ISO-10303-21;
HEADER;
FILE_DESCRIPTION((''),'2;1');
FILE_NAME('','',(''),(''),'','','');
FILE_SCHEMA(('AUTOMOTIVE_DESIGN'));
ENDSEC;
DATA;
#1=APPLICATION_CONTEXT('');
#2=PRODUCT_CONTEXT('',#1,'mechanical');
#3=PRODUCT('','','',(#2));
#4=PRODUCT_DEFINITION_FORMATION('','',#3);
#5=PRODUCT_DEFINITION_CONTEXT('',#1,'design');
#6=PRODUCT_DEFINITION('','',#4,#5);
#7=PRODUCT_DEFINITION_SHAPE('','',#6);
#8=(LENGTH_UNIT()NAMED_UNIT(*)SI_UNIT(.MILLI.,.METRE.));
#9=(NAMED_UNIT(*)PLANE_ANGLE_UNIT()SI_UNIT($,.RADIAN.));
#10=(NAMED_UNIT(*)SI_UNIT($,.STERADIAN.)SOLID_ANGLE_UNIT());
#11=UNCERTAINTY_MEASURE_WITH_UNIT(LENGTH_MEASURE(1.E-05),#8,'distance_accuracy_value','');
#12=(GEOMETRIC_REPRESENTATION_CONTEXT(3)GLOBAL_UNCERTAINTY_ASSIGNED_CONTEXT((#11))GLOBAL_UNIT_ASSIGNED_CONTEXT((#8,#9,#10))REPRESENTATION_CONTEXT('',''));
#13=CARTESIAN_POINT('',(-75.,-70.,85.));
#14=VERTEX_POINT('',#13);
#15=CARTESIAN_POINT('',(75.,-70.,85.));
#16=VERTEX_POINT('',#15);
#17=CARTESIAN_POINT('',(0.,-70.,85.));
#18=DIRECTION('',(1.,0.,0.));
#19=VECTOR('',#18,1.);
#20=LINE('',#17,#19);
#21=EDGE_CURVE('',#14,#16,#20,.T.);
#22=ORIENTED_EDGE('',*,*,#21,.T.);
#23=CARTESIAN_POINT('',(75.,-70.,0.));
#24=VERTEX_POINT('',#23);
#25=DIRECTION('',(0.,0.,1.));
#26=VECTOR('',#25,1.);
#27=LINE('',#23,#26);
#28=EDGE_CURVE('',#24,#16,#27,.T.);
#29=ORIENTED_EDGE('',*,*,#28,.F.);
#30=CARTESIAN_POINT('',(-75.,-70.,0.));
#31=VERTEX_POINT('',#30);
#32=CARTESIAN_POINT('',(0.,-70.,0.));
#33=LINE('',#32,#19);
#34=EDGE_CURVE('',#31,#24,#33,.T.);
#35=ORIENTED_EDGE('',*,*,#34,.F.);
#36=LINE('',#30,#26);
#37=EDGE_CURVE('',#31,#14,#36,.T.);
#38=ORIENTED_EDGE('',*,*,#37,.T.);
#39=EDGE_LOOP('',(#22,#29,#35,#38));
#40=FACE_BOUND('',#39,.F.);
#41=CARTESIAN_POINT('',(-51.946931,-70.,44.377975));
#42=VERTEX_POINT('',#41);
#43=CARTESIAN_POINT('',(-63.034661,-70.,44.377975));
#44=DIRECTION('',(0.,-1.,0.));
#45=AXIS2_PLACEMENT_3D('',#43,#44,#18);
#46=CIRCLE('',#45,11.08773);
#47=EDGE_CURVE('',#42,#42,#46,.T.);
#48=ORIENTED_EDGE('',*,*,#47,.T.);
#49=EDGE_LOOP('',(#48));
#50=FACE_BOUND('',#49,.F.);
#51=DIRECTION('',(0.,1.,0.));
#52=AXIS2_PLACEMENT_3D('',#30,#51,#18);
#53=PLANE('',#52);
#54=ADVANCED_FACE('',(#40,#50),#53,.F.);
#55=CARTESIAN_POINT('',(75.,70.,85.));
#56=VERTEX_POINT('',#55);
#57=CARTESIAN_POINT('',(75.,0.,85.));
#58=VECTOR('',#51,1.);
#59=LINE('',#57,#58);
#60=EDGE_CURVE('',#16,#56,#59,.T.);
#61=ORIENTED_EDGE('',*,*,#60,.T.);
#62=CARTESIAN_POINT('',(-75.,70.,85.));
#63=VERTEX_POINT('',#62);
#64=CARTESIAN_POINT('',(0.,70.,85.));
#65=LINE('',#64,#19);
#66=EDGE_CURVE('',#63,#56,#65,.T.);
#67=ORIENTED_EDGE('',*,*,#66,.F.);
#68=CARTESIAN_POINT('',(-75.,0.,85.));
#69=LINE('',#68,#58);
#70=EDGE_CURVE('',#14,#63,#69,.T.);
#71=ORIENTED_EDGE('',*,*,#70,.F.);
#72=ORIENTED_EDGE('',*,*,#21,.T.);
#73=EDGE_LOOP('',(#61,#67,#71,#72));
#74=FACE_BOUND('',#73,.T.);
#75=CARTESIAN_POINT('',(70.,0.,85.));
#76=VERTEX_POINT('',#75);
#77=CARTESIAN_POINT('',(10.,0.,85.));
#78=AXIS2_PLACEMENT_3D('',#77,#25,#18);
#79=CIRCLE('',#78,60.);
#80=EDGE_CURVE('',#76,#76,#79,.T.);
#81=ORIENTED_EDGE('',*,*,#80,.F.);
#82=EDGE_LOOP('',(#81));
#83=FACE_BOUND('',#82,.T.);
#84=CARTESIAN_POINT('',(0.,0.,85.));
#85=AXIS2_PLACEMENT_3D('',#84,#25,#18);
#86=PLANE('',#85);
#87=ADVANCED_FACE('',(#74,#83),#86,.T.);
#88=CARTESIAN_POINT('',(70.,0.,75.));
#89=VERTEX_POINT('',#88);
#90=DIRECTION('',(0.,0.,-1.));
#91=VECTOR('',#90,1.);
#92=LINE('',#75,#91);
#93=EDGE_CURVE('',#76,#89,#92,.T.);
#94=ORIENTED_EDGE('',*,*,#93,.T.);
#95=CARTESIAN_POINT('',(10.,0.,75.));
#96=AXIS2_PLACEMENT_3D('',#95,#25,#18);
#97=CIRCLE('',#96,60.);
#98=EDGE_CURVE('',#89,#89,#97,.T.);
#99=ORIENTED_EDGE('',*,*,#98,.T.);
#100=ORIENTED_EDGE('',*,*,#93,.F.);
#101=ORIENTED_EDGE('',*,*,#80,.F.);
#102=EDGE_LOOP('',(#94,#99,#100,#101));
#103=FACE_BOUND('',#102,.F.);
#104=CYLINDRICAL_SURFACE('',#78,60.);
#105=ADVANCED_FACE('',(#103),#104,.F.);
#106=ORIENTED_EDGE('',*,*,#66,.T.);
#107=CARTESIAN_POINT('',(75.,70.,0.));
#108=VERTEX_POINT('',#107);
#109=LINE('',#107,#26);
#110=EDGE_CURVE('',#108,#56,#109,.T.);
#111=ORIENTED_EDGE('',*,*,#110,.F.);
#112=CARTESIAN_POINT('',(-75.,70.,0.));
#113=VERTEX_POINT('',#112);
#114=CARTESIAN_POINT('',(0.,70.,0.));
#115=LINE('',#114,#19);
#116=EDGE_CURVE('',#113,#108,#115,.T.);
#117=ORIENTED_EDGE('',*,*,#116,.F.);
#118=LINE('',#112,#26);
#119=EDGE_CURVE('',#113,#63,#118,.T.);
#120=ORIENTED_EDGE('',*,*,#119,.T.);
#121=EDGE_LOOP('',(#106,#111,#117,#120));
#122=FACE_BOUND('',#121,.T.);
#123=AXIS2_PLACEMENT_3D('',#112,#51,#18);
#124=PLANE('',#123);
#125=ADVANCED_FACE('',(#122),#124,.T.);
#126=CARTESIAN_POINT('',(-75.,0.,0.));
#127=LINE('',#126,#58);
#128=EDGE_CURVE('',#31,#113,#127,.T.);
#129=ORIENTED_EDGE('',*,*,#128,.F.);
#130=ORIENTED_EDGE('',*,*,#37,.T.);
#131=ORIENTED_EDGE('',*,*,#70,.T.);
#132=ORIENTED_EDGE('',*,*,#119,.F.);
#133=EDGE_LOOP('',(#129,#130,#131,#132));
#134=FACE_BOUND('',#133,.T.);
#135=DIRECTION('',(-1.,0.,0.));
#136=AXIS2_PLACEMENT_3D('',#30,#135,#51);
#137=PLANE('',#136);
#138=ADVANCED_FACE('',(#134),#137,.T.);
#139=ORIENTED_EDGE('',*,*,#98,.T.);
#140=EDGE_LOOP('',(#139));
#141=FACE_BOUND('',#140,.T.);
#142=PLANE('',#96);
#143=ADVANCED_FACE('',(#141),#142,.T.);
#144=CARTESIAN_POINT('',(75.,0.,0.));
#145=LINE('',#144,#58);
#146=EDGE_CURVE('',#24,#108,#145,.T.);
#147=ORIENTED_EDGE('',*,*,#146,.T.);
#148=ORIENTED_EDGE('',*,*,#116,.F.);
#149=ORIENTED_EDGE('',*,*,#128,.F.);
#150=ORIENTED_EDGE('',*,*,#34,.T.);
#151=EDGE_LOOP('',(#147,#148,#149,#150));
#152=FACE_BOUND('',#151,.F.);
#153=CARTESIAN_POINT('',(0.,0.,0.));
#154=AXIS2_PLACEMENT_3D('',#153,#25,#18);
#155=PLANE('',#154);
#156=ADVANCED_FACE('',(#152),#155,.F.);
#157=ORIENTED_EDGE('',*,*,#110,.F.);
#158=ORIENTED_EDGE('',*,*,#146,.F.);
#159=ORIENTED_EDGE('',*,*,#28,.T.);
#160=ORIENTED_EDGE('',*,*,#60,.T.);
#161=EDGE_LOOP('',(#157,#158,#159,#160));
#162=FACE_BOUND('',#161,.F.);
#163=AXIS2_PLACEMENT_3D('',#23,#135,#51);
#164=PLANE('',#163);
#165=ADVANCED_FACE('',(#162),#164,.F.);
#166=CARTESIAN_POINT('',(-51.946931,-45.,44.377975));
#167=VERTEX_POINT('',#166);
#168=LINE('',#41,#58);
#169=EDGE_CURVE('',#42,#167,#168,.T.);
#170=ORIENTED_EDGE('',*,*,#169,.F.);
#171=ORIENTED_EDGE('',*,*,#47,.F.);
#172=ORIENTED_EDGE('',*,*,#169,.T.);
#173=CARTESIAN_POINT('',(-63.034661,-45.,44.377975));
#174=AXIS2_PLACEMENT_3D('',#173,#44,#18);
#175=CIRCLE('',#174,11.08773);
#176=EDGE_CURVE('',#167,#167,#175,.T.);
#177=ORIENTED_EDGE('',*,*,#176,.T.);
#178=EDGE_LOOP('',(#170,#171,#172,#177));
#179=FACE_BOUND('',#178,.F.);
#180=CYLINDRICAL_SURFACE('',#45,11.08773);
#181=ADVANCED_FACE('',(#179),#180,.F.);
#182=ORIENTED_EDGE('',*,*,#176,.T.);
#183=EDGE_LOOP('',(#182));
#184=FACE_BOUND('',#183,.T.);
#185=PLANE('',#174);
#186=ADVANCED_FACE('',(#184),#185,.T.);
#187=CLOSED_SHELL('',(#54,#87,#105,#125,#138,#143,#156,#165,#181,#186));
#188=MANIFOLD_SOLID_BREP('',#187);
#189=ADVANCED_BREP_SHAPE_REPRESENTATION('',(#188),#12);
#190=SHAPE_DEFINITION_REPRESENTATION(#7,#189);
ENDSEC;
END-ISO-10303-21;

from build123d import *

# Parameters (mm, degrees)
F0_W     = 150
F0_H     = 140
F1_DEPTH = 85
F2_R     = 11.08773
F3_DEPTH = 25
F4_R     = 60
F5_DEPTH = 10


with BuildPart() as f1:
    # F0 (on Top) → F1 (new body)
    with BuildSketch(Plane.XY):
        Rectangle(F0_W, F0_H)
    extrude(amount=F1_DEPTH)

    # F2 (on face) → F3 (cut)
    with BuildSketch(Plane.XZ.offset(70)):
        with Locations((-63.034661, 44.377975)):
            Circle(F2_R)
    extrude(amount=-F3_DEPTH, mode=Mode.SUBTRACT)

    # F4 (on face) → F5 (cut)
    with BuildSketch(Plane.XY.offset(85)):
        with Locations((10, 0)):
            Circle(F4_R)
    extrude(amount=-F5_DEPTH, mode=Mode.SUBTRACT)


solid = f1.part
